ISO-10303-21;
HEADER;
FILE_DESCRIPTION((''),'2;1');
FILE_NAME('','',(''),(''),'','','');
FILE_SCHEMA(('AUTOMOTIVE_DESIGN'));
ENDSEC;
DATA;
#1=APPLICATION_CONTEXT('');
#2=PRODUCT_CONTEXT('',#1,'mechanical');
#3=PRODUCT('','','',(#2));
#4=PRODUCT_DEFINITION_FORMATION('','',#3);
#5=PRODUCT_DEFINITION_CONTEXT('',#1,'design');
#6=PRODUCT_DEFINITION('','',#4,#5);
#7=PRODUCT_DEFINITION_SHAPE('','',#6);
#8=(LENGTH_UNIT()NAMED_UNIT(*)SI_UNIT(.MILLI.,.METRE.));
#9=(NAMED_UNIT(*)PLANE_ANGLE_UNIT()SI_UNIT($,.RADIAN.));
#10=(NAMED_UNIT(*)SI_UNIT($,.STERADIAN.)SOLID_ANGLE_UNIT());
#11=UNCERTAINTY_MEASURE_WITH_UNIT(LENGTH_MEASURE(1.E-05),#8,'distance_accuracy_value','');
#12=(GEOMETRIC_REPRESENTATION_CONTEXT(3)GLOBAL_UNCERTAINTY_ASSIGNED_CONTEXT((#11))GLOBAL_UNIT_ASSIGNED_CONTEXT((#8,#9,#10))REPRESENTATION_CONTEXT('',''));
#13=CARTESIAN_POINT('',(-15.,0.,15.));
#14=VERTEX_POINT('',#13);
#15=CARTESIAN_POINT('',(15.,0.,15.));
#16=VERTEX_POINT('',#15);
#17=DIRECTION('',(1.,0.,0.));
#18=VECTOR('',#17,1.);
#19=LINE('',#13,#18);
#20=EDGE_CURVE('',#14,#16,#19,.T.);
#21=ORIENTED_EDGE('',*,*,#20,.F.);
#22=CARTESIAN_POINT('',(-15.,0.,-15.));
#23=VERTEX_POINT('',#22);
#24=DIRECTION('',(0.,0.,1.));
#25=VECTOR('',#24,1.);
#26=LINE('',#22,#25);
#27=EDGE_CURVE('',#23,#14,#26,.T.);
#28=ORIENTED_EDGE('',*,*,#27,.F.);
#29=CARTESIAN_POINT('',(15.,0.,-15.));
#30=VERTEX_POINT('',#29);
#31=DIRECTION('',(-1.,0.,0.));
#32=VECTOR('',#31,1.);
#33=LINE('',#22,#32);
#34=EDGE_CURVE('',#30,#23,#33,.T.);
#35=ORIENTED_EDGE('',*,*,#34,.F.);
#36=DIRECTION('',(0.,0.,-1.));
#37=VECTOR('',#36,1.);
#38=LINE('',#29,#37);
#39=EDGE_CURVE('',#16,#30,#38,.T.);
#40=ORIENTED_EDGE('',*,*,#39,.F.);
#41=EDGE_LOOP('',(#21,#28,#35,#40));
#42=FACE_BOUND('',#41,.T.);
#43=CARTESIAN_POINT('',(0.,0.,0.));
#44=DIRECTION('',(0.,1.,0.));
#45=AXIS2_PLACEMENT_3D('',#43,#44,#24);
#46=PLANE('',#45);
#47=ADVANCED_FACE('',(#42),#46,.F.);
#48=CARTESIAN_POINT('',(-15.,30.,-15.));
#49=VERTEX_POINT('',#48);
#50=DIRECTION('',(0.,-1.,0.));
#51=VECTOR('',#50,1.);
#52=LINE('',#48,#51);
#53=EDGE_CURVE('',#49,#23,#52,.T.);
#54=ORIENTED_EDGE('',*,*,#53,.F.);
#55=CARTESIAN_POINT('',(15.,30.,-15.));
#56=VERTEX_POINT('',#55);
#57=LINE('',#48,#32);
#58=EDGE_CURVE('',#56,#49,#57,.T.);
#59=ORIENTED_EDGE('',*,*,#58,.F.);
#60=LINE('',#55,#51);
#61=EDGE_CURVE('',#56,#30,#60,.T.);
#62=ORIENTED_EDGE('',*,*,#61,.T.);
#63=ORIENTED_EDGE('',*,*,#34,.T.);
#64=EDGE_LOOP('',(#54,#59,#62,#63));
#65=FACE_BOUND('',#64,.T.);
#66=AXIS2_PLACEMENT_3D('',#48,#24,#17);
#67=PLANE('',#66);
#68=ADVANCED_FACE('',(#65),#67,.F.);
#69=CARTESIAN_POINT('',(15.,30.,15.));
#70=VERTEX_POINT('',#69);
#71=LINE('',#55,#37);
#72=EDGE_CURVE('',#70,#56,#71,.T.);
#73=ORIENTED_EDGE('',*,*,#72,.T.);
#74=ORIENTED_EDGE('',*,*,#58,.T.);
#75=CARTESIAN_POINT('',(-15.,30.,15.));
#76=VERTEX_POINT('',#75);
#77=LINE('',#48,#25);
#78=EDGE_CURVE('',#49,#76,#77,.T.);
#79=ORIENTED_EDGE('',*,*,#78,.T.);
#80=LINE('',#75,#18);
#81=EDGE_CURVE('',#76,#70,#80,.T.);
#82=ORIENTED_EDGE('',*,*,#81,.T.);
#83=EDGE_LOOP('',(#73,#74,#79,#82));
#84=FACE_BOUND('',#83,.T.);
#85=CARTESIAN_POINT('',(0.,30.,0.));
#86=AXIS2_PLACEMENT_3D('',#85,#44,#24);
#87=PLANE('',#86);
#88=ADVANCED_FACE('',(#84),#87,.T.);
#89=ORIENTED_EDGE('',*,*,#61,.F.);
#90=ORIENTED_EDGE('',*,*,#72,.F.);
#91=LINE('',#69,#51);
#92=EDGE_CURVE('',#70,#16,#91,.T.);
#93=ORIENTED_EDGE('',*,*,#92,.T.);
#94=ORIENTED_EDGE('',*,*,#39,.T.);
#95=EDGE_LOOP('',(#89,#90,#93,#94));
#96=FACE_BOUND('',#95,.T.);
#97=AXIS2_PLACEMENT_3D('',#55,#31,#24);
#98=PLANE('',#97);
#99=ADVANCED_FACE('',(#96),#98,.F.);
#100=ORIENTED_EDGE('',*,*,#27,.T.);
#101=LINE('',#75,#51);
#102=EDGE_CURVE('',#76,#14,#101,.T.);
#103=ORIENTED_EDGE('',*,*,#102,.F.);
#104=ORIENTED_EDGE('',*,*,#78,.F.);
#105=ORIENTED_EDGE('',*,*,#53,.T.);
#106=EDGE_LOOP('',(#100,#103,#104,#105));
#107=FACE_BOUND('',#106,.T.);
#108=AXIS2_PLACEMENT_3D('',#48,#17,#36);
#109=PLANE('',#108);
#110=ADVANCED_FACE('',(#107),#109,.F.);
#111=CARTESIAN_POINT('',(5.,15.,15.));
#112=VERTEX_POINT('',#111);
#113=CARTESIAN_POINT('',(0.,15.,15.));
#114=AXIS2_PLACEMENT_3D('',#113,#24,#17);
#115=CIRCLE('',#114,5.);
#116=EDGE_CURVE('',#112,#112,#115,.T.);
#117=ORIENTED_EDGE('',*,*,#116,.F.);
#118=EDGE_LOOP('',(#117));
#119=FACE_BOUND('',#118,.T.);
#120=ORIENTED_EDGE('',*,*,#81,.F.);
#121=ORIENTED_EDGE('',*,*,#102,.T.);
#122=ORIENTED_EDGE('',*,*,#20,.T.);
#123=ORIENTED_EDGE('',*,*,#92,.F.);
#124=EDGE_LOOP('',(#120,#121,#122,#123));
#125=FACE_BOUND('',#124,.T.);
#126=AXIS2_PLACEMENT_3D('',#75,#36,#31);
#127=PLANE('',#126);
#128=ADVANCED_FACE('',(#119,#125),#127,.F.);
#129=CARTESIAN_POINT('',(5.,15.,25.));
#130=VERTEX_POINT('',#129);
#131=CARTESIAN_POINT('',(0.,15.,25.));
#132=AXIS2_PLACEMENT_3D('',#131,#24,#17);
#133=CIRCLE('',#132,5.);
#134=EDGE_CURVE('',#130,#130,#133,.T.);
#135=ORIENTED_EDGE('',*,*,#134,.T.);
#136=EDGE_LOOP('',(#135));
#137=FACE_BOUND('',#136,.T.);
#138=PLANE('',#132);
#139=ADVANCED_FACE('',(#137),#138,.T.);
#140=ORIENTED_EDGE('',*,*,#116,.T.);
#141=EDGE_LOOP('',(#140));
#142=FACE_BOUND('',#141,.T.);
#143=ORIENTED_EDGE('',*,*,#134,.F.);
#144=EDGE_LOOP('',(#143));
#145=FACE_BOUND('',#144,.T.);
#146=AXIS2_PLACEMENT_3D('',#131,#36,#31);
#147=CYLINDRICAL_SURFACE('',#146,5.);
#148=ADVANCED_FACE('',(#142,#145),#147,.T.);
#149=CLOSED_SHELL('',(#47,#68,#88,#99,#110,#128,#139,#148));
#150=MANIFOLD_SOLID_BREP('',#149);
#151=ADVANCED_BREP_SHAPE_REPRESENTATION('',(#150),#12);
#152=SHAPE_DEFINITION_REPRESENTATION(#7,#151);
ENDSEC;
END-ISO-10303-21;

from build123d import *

# Parameters (mm, degrees)
SKETCH1_W           = 30
SKETCH1_H           = 30
BOSS_EXTRUDE1_DEPTH = 30
SKETCH2_R           = 5
BOSS_EXTRUDE2_DEPTH = 10


with BuildPart() as part:
    # Sketch1 → Boss-Extrude1 (new body)
    with BuildSketch(Plane(origin=(0, 0, 0), x_dir=(1, 0, 0), z_dir=(0, 1, 0))):
        Rectangle(SKETCH1_W, SKETCH1_H)
    extrude(amount=BOSS_EXTRUDE1_DEPTH)

    # Sketch2 → Boss-Extrude2 (add)
    with BuildSketch(Plane.XY.offset(15)):
        with Locations((0, 15)):
            Circle(SKETCH2_R)
    extrude(amount=BOSS_EXTRUDE2_DEPTH)


solid = part.part
